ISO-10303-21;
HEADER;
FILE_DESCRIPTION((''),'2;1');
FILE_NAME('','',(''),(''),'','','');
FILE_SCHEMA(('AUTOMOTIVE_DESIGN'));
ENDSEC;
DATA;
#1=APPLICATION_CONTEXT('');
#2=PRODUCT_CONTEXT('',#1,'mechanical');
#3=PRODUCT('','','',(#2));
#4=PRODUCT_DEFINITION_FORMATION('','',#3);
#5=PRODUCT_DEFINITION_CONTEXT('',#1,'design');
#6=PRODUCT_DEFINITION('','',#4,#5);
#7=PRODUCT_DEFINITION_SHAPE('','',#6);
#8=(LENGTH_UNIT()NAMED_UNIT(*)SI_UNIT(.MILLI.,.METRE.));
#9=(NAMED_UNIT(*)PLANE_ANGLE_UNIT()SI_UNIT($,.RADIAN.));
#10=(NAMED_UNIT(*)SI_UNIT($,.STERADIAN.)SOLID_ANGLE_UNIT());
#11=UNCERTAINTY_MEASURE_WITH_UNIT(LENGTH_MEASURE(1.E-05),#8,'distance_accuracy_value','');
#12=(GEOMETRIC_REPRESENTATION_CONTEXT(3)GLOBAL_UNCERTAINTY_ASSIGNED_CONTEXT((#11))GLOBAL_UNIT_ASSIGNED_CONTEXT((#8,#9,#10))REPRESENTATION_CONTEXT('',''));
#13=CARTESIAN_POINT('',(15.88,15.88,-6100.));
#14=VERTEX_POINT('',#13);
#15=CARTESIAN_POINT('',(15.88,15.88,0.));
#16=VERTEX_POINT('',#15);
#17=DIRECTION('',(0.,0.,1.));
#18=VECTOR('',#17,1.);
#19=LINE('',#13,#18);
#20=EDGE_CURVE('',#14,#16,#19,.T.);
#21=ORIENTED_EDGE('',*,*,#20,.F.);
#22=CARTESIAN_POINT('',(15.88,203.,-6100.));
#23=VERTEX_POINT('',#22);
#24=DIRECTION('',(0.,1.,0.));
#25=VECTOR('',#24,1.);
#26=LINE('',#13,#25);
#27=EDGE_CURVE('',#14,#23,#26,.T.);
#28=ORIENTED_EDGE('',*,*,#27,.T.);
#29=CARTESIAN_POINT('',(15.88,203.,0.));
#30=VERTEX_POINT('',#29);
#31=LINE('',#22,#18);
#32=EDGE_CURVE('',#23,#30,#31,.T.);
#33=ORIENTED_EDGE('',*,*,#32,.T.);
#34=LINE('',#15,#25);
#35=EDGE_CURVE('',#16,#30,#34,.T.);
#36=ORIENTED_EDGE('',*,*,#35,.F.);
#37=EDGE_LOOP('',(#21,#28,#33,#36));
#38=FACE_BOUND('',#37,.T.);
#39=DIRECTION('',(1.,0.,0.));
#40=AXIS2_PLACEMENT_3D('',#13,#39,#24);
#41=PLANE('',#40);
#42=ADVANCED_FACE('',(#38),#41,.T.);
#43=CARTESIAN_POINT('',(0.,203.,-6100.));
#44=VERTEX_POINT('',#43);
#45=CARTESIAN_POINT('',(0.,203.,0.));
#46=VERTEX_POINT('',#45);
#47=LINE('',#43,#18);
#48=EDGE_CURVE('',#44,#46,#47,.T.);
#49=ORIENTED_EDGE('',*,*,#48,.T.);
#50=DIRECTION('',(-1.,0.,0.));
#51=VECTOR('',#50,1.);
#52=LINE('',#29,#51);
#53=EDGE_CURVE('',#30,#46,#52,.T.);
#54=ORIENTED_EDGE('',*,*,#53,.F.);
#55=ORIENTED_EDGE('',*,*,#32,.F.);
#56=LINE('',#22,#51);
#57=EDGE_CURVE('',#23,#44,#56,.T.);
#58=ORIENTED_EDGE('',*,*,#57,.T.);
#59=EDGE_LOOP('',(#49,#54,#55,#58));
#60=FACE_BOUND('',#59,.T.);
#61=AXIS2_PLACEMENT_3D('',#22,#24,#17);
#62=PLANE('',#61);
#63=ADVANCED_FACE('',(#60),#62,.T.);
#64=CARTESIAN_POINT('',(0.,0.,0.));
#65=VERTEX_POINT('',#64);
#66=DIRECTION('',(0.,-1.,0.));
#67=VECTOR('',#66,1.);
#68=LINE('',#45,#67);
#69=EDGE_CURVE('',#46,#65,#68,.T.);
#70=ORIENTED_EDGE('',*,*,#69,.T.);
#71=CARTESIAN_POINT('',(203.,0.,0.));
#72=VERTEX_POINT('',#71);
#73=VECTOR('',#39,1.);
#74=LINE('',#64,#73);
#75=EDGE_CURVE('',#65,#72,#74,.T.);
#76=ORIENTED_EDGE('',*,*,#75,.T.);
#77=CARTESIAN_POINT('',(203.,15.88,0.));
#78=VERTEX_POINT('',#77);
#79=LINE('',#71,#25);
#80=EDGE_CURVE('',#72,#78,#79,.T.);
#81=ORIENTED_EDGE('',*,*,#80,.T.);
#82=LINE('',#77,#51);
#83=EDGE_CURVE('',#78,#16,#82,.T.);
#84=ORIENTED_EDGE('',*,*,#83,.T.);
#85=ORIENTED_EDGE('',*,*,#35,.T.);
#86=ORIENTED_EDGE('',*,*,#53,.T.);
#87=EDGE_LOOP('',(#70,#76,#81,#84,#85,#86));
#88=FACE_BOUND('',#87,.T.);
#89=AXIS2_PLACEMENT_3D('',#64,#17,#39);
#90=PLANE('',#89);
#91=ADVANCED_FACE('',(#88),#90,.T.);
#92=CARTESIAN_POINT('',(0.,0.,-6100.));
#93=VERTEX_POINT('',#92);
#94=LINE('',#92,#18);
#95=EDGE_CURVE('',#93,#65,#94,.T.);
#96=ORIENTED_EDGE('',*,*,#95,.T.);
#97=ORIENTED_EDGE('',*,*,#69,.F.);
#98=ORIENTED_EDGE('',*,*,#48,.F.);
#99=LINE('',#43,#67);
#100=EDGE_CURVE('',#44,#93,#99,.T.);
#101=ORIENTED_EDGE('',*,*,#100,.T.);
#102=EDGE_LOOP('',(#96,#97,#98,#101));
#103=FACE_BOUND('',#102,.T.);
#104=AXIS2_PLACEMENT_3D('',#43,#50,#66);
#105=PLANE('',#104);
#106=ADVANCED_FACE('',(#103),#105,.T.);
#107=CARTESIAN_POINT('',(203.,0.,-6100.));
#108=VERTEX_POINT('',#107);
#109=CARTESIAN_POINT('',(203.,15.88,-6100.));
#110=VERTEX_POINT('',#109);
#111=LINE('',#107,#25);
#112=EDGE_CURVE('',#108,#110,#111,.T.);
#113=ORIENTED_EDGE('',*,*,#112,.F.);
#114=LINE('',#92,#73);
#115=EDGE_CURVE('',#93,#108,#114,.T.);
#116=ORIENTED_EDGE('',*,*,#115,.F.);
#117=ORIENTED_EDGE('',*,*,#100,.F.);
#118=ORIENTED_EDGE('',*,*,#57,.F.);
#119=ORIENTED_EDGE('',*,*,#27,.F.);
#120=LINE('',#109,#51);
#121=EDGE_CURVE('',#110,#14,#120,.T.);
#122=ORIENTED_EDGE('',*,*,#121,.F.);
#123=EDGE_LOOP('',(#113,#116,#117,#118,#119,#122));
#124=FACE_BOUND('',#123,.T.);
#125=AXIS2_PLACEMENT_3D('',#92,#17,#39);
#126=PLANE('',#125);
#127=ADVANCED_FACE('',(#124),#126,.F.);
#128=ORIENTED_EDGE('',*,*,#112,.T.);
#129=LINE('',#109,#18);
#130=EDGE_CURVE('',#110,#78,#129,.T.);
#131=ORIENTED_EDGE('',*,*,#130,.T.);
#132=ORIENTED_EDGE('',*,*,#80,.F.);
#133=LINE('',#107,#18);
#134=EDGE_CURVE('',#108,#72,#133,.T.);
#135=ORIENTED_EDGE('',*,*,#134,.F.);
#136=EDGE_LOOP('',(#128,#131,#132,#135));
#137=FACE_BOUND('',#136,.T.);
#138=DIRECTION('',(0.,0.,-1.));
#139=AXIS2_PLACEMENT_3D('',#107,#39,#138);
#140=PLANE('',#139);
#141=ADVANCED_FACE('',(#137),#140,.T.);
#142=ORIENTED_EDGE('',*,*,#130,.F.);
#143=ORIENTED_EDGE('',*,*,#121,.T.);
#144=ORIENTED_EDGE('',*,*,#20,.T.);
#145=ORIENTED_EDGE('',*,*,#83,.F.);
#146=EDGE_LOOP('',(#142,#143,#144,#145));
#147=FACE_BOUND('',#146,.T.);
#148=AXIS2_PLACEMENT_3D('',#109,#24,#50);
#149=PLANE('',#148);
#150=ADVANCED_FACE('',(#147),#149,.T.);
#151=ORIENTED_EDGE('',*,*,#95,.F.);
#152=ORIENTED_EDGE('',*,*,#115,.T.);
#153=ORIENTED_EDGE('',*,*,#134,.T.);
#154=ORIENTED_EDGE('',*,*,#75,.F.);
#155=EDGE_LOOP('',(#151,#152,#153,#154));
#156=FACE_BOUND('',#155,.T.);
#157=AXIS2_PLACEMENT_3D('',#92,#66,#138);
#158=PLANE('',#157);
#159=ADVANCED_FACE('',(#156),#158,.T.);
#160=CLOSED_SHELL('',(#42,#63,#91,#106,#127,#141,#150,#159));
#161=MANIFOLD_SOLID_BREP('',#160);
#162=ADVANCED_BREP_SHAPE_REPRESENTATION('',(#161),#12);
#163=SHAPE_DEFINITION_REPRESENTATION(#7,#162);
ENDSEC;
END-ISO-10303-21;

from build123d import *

# Parameters (mm, degrees)
SALIENTE_EXTRUIR1_DEPTH = 6100


with BuildPart() as part:
    # Croquis1 → Saliente-Extruir1 (new body)
    with BuildSketch(Plane.XY):
        Polygon((0, 203), (0, 0), (203, 0), (203, 15.88), (15.88, 15.88), (15.88, 203), align=None)
    extrude(amount=-SALIENTE_EXTRUIR1_DEPTH)


solid = part.part
